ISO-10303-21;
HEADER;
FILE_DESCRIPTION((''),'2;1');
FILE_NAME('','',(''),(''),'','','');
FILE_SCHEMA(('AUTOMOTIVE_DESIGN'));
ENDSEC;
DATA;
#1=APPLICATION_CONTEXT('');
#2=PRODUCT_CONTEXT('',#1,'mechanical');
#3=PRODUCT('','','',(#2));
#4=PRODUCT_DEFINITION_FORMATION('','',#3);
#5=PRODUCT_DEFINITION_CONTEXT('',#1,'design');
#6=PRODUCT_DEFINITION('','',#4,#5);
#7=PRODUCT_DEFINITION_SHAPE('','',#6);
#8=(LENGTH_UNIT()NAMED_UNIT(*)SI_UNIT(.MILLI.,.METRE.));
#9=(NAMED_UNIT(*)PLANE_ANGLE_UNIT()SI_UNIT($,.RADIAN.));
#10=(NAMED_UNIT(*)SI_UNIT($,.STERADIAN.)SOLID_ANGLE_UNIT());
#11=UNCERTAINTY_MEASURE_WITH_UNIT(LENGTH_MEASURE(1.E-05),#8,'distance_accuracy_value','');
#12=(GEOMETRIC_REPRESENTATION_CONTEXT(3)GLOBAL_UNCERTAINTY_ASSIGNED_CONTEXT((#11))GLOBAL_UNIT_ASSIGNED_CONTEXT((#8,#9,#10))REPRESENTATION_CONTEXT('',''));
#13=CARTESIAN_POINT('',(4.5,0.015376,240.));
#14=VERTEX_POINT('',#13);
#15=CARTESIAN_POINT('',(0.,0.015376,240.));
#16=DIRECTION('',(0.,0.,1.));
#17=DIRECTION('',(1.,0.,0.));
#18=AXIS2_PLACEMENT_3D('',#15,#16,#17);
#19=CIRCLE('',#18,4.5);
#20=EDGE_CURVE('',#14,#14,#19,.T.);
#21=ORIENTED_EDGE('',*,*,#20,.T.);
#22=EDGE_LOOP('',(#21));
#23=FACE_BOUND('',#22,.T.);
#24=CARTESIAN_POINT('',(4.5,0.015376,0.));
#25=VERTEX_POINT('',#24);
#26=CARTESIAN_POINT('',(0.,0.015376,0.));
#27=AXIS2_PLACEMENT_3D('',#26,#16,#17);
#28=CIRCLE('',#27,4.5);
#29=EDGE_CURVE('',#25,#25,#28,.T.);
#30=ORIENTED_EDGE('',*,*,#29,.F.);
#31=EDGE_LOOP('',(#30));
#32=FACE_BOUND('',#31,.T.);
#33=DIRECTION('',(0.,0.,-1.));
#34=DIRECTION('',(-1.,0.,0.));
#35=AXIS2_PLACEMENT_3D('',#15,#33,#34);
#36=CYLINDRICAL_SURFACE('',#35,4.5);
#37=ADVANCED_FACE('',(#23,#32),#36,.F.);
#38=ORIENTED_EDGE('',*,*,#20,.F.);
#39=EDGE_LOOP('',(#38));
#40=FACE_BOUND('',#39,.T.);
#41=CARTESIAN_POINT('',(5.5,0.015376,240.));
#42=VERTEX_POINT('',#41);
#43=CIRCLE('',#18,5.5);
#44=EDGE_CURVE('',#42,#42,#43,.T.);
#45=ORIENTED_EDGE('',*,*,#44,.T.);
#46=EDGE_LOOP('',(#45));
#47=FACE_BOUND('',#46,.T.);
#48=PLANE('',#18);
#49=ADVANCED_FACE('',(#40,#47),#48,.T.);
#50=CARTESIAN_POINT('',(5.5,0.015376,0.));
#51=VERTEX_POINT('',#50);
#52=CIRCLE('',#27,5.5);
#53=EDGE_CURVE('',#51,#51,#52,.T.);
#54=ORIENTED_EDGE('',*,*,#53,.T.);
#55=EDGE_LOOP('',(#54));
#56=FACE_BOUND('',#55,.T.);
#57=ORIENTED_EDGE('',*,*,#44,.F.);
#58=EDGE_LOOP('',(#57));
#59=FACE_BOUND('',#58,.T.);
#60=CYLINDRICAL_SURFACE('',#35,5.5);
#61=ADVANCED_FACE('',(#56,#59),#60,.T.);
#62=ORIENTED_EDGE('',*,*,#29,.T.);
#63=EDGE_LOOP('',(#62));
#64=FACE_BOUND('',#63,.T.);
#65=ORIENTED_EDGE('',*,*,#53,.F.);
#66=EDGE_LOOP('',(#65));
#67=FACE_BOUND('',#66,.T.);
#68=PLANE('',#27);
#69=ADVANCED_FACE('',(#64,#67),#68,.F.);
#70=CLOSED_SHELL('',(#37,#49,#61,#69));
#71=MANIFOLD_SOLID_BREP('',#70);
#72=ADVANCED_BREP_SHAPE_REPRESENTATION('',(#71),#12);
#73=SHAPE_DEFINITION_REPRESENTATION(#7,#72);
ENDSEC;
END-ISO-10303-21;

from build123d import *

# Parameters (mm, degrees)
SKETCH_1_R      = 5.5
SKETCH_1_R_2    = 4.5
EXTRUDE_1_DEPTH = 240


with BuildPart() as part:
    # 草图1 → 凸台-拉伸1 (new body)
    with BuildSketch(Plane.XY):
        with Locations((0, 0.015376331)):
            Circle(SKETCH_1_R)
        with Locations((0, 0.015376331)):
            Circle(SKETCH_1_R_2, mode=Mode.SUBTRACT)
    extrude(amount=EXTRUDE_1_DEPTH)


solid = part.part
